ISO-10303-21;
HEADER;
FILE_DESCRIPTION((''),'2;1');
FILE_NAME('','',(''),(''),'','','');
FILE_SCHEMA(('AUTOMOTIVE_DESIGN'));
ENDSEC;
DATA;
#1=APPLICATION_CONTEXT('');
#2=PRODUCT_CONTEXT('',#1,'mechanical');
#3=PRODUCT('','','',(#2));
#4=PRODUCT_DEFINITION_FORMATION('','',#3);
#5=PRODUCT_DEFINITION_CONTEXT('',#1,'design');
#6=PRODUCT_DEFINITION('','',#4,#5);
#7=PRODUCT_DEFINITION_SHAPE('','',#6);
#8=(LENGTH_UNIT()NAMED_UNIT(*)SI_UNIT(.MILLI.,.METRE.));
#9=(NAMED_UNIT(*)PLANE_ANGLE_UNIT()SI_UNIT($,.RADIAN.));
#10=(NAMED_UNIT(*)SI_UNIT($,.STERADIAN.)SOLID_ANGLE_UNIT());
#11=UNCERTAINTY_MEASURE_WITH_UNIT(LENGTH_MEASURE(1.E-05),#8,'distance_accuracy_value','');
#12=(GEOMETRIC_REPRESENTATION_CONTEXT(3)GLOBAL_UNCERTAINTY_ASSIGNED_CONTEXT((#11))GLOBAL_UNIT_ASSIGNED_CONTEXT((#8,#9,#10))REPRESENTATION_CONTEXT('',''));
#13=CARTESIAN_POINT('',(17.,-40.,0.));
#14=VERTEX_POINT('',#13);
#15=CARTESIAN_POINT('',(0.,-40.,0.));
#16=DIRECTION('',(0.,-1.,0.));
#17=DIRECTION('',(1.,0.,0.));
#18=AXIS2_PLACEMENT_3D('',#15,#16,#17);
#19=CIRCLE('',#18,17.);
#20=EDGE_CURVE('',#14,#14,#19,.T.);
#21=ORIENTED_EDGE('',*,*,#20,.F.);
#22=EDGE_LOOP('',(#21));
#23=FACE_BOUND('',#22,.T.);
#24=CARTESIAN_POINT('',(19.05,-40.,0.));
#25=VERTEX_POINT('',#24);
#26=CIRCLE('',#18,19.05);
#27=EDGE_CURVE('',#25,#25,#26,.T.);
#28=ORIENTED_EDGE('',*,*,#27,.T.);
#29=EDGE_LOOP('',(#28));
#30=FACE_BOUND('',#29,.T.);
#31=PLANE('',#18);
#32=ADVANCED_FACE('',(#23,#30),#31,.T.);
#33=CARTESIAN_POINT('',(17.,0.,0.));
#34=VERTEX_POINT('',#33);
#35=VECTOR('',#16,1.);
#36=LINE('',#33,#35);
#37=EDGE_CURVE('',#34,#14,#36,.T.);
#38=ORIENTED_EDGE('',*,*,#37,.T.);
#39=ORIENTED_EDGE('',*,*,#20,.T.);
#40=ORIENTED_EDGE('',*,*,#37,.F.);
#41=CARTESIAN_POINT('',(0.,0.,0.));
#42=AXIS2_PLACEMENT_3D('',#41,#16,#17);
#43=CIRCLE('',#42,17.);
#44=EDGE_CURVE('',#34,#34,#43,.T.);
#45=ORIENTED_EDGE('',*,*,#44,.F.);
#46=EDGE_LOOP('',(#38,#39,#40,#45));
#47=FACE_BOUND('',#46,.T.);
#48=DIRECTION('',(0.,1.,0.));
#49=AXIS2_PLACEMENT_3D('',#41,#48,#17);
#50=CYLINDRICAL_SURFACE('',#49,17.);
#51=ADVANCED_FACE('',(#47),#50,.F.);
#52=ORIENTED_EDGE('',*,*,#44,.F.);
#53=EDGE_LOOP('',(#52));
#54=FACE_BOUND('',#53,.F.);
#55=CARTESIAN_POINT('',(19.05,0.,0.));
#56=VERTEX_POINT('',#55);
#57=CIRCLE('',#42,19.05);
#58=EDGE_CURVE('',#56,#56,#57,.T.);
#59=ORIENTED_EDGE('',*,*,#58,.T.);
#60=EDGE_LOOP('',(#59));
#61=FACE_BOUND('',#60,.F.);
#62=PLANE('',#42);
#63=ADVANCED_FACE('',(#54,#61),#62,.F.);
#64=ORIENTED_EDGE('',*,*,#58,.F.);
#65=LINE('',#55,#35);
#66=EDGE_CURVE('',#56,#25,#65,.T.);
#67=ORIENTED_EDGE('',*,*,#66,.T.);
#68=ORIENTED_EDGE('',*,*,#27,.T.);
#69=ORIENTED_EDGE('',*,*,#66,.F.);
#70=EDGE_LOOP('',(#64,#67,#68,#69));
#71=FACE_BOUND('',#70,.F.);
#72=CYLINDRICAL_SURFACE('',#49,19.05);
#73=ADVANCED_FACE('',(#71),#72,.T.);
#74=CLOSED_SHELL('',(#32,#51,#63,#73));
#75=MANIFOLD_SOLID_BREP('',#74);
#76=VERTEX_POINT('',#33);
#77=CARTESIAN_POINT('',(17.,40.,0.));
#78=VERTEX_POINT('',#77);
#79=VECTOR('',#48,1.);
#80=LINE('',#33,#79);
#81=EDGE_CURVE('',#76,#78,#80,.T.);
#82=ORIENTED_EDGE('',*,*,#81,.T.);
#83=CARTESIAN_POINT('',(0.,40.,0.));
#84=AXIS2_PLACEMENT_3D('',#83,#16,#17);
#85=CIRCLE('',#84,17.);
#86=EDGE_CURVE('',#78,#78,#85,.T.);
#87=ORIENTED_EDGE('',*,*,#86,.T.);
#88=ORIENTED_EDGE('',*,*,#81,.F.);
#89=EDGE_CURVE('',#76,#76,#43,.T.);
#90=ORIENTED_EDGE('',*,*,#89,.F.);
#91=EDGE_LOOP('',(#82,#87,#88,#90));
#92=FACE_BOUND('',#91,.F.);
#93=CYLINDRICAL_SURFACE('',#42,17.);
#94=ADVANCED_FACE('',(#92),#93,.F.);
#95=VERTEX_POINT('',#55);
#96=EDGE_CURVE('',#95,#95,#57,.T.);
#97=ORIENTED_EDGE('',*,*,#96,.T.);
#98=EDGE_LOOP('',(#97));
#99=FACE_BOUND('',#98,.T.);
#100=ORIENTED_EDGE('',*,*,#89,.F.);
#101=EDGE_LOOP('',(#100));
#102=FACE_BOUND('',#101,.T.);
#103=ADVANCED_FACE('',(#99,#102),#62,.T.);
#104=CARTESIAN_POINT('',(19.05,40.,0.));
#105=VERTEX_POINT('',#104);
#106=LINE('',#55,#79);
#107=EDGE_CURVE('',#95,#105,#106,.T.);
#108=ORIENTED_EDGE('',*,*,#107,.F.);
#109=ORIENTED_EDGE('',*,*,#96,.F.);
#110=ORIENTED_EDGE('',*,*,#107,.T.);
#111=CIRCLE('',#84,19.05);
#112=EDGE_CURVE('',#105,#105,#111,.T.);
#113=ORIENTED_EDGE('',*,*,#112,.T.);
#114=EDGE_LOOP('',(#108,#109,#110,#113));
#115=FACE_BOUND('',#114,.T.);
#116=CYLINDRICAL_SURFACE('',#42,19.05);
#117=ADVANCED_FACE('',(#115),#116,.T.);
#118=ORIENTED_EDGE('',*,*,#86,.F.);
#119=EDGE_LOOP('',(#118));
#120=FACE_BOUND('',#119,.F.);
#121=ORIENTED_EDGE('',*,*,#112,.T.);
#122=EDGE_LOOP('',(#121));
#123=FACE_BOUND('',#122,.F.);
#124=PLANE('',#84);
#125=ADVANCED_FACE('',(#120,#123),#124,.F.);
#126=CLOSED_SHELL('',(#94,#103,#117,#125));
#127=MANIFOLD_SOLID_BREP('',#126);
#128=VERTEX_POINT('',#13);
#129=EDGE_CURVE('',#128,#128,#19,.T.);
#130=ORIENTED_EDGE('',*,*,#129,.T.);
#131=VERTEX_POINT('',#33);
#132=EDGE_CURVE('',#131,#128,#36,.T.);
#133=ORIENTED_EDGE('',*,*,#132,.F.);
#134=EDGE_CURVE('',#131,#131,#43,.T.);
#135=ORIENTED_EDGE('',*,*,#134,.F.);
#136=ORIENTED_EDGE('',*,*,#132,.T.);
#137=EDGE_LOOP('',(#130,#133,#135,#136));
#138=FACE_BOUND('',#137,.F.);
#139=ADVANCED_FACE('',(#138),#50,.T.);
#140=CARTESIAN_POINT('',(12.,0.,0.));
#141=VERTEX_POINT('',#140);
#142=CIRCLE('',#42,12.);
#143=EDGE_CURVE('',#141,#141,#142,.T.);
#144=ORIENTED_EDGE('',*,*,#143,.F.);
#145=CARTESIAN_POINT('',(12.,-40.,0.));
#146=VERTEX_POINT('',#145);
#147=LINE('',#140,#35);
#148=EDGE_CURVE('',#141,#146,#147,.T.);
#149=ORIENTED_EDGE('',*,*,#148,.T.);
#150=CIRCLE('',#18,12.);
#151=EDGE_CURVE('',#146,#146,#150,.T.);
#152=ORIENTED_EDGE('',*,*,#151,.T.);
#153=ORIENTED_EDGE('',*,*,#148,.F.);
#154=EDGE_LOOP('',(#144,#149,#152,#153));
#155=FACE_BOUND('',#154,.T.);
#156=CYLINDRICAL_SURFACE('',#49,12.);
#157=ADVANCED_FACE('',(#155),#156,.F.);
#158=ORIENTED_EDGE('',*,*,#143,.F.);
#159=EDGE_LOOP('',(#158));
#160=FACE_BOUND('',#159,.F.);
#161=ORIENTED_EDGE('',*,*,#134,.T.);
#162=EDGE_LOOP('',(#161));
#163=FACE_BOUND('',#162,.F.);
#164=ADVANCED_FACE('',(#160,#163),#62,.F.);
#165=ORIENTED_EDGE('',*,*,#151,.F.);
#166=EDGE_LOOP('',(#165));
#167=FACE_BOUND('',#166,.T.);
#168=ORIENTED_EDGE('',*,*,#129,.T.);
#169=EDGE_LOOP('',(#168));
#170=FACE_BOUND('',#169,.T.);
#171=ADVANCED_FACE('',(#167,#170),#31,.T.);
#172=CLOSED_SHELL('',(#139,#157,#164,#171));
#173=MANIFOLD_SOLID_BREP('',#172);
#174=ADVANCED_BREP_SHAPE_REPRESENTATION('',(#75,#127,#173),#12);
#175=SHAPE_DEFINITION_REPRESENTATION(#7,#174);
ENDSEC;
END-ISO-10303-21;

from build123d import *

# Parameters (mm, degrees)
F0_R     = 17
F0_R_2   = 12
F1_DEPTH = 40
F0_R_3   = 19.05
F2_DEPTH = 40
F3_DEPTH = 40


with BuildPart() as f1:
    # F0 (on Front) → F1 (new body)
    with BuildSketch(Plane.XZ):
        Circle(F0_R)
        Circle(F0_R_2, mode=Mode.SUBTRACT)
    extrude(amount=F1_DEPTH)


with BuildPart() as f2:
    # F0 (on Front) → F2 (new body)
    with BuildSketch(Plane.XZ):
        Circle(F0_R_3)
        Circle(F0_R, mode=Mode.SUBTRACT)
    extrude(amount=-F2_DEPTH)


with BuildPart() as f3:
    # F0 (on Front) → F3 (new body)
    with BuildSketch(Plane.XZ):
        Circle(F0_R_3)
        Circle(F0_R, mode=Mode.SUBTRACT)
    extrude(amount=F3_DEPTH)


solid = Compound([f1.part, f2.part, f3.part])
